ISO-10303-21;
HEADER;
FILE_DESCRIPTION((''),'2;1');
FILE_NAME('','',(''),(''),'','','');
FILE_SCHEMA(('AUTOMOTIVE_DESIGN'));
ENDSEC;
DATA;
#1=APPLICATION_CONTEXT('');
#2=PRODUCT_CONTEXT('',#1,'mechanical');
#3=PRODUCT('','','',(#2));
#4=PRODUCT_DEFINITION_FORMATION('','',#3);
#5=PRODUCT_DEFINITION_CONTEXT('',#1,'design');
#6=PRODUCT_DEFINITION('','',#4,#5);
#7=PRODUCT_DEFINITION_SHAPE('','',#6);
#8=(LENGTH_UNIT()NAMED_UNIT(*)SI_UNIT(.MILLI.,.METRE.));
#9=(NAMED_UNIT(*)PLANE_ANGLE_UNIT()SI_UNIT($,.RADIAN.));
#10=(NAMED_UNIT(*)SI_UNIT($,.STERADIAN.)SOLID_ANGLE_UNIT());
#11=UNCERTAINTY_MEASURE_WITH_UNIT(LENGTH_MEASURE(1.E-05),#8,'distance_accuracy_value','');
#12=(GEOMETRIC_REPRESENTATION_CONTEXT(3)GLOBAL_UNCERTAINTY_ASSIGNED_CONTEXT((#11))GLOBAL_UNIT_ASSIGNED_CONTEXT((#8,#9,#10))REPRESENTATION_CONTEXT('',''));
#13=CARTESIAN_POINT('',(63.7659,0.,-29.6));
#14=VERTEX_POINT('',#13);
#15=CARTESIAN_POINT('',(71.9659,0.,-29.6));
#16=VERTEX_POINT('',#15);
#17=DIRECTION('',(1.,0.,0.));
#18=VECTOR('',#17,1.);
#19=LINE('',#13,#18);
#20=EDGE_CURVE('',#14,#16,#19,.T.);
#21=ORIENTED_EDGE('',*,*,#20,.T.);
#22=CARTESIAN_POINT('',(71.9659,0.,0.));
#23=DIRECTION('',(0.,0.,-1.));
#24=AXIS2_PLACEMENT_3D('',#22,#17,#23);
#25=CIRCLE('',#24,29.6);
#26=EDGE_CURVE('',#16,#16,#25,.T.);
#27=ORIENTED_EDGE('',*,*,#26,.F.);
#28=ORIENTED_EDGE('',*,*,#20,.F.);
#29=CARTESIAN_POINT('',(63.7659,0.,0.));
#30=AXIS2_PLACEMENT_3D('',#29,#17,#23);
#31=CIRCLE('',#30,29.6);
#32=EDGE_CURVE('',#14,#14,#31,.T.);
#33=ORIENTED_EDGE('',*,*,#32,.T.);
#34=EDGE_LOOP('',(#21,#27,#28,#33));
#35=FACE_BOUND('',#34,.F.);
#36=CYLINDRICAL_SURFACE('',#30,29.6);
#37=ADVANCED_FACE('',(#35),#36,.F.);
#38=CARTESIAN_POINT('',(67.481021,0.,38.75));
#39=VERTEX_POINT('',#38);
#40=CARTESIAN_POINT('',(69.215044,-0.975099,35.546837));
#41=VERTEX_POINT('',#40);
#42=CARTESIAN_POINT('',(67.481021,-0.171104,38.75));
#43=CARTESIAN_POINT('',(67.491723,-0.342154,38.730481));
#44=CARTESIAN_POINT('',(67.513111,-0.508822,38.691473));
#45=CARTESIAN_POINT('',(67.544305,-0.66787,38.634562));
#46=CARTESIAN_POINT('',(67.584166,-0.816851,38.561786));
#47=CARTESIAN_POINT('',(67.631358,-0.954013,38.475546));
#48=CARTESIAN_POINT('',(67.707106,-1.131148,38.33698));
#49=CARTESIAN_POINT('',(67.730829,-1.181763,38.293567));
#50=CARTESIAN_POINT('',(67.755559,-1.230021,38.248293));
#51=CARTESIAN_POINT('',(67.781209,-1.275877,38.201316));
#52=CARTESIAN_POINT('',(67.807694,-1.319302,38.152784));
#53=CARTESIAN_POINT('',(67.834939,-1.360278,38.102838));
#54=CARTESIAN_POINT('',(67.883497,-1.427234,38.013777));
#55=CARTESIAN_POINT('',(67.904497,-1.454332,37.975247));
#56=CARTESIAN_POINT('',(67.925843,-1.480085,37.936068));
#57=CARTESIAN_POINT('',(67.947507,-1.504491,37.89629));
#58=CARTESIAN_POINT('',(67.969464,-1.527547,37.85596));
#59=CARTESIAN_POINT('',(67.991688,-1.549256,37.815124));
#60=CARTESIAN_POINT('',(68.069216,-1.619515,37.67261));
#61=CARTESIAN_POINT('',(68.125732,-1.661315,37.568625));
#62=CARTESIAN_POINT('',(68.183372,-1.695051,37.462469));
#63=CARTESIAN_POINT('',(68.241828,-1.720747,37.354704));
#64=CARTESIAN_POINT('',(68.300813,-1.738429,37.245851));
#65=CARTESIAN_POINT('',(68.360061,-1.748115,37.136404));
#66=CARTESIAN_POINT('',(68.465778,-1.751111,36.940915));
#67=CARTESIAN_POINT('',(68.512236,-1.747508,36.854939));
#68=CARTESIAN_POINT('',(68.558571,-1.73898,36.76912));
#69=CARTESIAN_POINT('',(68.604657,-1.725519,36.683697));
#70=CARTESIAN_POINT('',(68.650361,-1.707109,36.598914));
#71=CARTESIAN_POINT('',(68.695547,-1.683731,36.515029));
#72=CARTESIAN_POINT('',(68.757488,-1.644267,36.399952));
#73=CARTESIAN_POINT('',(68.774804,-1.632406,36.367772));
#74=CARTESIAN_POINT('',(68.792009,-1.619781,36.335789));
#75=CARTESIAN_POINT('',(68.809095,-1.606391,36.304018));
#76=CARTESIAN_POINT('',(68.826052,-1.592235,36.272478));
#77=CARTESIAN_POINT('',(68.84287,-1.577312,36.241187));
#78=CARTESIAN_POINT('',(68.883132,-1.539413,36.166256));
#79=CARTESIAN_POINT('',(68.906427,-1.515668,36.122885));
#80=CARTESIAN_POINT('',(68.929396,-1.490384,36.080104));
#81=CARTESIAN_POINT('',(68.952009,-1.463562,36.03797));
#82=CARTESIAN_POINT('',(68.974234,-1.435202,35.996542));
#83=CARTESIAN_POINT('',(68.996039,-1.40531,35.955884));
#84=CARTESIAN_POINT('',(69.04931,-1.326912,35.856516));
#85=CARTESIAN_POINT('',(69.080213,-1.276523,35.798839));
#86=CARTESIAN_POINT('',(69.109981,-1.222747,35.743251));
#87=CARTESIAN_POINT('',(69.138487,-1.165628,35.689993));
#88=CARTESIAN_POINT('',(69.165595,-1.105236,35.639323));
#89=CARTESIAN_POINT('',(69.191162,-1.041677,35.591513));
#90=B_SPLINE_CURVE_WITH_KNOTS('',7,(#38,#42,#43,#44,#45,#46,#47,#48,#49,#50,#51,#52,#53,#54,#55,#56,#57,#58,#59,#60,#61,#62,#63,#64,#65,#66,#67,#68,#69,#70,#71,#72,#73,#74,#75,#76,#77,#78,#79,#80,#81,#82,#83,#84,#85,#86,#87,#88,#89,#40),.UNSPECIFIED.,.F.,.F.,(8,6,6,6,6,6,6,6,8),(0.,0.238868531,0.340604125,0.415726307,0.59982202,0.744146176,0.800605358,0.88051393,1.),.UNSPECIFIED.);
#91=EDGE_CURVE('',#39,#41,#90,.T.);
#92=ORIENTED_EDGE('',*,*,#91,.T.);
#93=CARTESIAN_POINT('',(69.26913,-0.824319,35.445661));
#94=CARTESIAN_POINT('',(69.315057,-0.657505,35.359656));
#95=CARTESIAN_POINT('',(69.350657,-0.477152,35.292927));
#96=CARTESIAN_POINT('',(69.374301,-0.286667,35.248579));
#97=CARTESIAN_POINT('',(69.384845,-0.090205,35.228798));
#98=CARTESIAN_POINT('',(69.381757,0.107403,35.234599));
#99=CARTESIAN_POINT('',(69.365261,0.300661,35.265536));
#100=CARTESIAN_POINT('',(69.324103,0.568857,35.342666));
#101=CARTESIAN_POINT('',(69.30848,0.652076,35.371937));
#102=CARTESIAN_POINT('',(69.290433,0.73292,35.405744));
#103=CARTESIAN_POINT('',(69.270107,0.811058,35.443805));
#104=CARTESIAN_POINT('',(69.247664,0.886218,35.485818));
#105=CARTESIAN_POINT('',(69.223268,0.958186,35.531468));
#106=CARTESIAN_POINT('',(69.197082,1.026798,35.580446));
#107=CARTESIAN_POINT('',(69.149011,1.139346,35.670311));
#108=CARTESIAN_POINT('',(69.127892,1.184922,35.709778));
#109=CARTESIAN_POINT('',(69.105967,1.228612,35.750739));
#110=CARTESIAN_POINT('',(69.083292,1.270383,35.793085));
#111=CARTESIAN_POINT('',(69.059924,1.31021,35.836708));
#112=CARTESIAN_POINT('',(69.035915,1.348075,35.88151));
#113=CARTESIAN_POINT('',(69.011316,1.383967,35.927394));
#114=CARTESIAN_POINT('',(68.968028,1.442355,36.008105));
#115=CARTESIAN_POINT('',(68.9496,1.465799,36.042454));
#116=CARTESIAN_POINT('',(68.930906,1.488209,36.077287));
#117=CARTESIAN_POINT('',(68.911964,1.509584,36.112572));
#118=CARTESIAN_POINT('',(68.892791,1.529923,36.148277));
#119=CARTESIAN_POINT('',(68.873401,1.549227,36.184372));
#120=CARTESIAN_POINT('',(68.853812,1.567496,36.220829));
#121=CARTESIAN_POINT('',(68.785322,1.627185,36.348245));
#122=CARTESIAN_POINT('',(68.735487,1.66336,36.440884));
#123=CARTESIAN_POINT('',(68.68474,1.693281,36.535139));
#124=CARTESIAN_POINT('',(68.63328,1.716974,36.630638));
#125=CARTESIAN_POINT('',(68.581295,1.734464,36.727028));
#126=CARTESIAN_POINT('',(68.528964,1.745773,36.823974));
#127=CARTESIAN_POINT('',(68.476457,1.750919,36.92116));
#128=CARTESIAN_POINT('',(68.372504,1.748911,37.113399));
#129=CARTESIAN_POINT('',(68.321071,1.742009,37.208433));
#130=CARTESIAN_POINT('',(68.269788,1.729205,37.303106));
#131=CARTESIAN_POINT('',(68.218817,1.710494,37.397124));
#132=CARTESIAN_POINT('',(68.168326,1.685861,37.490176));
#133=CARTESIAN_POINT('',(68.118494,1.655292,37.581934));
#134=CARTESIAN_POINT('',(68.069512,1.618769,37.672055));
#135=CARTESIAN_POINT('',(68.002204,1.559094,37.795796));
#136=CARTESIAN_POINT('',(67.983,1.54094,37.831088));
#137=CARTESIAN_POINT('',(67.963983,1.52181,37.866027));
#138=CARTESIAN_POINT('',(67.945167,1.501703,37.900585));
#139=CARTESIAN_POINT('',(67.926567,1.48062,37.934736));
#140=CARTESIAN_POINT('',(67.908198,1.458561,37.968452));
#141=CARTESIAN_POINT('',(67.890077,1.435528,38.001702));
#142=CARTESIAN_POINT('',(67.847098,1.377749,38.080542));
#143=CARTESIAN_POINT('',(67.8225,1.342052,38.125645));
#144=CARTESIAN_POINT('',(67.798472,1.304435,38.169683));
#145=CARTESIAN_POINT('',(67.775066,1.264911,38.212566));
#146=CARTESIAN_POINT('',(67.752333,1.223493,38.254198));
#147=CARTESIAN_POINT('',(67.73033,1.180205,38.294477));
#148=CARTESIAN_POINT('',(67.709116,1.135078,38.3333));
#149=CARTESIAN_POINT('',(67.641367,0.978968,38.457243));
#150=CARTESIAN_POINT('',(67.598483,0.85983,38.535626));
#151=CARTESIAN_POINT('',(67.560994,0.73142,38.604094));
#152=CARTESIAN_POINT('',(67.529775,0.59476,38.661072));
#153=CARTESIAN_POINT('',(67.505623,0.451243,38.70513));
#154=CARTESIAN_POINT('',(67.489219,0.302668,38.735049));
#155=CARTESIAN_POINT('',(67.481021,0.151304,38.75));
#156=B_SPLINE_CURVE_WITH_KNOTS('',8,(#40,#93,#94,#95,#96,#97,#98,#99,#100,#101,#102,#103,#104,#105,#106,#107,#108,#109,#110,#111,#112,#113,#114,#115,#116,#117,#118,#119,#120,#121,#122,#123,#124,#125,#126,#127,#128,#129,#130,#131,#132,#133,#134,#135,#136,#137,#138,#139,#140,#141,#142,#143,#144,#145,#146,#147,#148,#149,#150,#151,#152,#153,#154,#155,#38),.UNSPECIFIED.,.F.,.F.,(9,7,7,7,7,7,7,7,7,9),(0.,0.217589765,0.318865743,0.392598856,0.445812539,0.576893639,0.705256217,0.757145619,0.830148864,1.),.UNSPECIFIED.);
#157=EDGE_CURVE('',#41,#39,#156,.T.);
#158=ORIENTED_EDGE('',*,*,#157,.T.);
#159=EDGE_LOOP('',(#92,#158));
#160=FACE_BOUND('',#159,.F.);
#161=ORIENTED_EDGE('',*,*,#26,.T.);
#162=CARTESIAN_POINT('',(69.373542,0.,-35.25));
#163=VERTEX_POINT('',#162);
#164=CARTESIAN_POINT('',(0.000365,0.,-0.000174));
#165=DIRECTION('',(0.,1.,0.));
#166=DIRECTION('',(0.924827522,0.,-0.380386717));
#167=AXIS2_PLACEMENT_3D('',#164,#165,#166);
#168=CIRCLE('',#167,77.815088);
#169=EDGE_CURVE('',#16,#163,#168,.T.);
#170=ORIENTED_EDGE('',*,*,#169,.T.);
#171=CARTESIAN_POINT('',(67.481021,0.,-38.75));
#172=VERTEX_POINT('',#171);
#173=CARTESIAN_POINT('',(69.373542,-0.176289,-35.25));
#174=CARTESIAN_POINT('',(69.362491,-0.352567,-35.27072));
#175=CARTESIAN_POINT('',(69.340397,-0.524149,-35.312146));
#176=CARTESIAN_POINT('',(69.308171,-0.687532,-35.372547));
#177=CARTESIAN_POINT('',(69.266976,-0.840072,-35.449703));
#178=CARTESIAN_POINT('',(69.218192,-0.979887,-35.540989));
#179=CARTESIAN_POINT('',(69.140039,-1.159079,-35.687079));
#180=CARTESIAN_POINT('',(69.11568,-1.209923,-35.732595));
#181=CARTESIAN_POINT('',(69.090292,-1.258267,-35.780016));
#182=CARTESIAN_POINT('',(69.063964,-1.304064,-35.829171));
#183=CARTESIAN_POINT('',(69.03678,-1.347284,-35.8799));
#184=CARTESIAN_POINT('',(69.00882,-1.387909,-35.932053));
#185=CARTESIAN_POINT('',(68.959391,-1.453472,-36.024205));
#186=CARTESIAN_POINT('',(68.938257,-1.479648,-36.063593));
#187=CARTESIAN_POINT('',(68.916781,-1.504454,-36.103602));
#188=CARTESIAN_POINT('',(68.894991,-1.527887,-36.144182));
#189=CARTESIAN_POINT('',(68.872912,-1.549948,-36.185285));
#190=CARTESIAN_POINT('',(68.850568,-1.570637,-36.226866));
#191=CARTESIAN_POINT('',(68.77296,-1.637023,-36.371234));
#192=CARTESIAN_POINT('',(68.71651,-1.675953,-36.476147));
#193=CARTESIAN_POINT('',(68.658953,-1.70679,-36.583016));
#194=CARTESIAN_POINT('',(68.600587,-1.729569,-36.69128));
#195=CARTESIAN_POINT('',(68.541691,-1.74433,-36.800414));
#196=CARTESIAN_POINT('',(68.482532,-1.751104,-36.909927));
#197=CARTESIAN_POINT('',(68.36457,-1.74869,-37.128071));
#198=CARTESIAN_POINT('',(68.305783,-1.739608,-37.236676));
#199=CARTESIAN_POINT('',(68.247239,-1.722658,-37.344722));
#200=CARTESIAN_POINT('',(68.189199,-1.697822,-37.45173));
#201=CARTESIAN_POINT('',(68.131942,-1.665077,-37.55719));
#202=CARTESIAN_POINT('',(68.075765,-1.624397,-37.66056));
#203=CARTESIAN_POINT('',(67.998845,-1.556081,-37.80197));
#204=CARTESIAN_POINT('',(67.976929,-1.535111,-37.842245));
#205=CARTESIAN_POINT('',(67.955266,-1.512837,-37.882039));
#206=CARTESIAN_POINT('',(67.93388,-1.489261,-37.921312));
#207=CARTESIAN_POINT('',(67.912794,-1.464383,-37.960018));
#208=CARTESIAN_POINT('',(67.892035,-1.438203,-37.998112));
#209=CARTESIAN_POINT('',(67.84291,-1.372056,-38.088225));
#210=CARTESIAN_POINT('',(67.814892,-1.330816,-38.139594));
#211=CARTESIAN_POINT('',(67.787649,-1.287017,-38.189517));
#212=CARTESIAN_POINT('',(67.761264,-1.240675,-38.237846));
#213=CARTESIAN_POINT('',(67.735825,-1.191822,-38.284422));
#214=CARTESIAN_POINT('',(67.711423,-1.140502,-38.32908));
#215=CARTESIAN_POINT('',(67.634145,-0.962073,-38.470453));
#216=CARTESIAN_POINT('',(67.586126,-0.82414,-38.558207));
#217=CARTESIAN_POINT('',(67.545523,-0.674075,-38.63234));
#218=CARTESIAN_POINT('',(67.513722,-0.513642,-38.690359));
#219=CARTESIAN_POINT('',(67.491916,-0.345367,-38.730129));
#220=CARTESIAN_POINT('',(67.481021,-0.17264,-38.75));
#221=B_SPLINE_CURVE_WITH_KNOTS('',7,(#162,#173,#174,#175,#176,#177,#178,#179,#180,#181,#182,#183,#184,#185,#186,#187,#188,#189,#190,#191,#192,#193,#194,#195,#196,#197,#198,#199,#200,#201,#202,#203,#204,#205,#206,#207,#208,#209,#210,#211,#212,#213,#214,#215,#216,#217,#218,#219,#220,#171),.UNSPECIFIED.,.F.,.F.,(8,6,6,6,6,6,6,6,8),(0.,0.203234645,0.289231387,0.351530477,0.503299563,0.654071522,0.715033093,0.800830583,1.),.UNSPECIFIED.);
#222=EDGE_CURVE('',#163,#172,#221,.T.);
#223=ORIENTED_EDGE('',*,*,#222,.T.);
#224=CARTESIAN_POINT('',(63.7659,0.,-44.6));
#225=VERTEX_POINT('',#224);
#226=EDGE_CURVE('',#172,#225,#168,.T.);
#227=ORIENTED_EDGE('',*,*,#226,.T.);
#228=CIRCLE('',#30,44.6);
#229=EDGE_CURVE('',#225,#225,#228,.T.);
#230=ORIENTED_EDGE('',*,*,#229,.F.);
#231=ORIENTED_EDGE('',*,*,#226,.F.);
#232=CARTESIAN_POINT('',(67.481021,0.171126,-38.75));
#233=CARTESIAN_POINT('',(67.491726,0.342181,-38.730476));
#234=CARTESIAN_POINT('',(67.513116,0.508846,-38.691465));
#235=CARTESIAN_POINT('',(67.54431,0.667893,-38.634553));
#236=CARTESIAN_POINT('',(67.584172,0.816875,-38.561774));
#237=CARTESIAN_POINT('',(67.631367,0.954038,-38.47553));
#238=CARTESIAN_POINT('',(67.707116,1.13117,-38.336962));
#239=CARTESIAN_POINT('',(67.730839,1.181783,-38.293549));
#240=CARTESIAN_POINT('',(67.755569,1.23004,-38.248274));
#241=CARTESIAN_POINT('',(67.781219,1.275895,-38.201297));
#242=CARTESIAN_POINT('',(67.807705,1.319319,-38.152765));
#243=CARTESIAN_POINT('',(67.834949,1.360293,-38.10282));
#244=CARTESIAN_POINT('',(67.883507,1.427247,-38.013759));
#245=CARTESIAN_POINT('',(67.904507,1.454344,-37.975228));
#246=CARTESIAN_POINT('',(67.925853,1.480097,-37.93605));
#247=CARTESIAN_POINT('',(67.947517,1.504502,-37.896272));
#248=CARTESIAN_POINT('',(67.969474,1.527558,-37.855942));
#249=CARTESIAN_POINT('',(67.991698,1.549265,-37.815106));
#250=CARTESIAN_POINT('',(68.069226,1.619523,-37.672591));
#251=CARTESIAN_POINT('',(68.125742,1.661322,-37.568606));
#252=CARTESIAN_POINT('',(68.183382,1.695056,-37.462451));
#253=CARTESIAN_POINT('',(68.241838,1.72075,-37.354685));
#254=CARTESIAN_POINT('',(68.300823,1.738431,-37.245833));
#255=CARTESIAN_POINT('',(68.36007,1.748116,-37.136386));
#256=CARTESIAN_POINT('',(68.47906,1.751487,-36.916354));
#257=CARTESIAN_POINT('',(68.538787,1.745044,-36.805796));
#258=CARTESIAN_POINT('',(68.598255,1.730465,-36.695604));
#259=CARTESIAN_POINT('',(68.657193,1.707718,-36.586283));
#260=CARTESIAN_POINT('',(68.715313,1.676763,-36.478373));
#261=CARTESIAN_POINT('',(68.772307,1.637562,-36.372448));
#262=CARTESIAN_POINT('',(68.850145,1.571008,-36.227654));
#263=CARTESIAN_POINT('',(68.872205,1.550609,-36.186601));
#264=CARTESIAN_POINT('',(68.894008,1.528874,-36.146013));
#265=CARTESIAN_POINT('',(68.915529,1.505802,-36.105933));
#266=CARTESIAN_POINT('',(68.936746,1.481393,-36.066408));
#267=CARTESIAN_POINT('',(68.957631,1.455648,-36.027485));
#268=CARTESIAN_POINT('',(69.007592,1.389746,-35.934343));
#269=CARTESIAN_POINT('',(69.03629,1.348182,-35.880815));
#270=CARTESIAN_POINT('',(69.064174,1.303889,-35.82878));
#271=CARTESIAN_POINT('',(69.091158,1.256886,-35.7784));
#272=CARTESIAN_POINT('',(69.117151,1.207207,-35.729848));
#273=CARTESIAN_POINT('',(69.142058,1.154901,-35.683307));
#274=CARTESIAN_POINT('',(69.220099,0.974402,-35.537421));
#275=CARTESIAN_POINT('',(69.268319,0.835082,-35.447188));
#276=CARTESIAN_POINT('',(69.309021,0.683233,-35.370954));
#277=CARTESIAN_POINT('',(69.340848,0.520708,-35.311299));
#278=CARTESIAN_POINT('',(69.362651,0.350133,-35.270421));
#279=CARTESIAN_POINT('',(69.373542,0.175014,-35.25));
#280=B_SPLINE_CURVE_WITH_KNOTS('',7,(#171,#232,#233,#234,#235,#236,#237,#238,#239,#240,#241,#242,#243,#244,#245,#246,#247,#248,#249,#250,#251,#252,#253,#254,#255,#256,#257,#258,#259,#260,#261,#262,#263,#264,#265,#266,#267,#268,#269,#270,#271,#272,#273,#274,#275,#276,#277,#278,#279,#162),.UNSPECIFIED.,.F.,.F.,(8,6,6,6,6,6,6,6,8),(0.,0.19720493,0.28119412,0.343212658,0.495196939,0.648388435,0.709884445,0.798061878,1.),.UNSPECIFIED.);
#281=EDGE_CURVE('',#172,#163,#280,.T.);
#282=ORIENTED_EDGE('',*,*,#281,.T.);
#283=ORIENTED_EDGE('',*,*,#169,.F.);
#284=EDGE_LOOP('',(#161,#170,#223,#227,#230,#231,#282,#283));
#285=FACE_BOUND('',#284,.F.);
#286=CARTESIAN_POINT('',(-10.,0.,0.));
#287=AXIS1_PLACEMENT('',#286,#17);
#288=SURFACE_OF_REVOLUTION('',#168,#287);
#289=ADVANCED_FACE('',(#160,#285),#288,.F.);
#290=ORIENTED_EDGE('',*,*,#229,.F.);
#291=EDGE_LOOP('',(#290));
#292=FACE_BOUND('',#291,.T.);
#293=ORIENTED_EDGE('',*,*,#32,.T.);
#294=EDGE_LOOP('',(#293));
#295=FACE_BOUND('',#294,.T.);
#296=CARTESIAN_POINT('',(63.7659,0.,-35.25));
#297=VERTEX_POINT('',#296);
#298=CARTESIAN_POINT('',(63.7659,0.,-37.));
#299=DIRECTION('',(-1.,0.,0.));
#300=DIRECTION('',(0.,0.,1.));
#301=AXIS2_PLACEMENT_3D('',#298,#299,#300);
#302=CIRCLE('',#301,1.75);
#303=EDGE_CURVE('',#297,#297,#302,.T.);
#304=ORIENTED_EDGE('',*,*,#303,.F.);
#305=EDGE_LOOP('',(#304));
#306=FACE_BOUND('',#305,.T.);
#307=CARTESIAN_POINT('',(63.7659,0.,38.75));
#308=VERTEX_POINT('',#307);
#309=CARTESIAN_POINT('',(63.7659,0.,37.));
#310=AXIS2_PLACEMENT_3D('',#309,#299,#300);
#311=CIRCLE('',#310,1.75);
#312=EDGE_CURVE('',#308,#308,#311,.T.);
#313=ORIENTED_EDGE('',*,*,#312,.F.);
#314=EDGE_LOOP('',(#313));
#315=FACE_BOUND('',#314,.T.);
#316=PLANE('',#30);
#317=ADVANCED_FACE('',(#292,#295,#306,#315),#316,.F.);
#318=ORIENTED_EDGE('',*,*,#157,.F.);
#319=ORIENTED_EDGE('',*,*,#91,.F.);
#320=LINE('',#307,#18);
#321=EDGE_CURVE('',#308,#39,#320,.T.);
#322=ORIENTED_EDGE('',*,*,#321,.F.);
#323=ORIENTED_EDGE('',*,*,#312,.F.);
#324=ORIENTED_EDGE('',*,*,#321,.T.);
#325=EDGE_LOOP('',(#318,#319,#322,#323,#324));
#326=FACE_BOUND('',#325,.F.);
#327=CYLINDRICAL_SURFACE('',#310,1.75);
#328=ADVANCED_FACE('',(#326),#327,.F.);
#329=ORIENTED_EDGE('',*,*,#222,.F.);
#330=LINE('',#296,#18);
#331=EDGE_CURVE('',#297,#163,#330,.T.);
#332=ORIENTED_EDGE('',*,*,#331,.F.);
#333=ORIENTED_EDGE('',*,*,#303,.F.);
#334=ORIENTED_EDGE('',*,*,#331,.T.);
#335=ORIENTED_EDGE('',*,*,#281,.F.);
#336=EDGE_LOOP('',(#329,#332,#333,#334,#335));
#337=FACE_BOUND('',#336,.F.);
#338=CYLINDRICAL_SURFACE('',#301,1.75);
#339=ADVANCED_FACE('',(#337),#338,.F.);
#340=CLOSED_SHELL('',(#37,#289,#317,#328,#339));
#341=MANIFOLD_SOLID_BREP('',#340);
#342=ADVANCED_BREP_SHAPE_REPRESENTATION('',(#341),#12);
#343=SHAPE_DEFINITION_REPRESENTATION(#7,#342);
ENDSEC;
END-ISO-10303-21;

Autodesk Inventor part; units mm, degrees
ref_plane "YZ Plane" through (0, 0, 0) normal (1, 0, 0) x (0, 1, 0)
ref_plane "XZ Plane" through (0, 0, 0) normal (0, 1, 0) x (-1, 0, 0)
ref_plane "XY Plane" through (0, 0, 0) normal (0, 0, 1) x (1, 0, 0)
sketch "Sketch1" plane through (0, 0, 0) normal (0, 1, 0) x (-1, 0, 0)
  arc A0 (-71.9659, -29.6) -> (-63.7659, -44.6) centre (0, 0) ccw
  line L0 (-63.7659, -29.6) -> (-71.9659, -29.6)
  line L1 (-63.7659, -29.6) -> (-63.7659, -44.6)
  line L2 (14.4758, 0) -> (-86.8548, 0) projected
  dimension "d1" = 15
  dimension "d2" = 8.2
  dimension "d4" = 29.6
revolve "Revolution1" add sketch "Sketch1" angle 360 about axis through (-10, 0, 0) along (1, 0, 0)
thread "Thread1" size "M60x5.5" class "6H" standard "ANSI Metric M Profile" full length
sketch "Sketch2" plane through (63.7659, 0, 0) normal (-1, 0, 0) x (0, 0, 1)
  circle A0 centre (-37, 0) radius 1.75
  circle A1 centre (37, 0) radius 1.75
  point P0 (0, 0)
  dimension "d8" = 74
  dimension "d9" = 37
  dimension "d12" = 3.5
  dimension "d13" = 3.5
extrude "Extrusion1" cut sketch "Sketch2" against normal up to next
equation "\"d9\" = 0.5 * d8"
properties part number "retainingring"
